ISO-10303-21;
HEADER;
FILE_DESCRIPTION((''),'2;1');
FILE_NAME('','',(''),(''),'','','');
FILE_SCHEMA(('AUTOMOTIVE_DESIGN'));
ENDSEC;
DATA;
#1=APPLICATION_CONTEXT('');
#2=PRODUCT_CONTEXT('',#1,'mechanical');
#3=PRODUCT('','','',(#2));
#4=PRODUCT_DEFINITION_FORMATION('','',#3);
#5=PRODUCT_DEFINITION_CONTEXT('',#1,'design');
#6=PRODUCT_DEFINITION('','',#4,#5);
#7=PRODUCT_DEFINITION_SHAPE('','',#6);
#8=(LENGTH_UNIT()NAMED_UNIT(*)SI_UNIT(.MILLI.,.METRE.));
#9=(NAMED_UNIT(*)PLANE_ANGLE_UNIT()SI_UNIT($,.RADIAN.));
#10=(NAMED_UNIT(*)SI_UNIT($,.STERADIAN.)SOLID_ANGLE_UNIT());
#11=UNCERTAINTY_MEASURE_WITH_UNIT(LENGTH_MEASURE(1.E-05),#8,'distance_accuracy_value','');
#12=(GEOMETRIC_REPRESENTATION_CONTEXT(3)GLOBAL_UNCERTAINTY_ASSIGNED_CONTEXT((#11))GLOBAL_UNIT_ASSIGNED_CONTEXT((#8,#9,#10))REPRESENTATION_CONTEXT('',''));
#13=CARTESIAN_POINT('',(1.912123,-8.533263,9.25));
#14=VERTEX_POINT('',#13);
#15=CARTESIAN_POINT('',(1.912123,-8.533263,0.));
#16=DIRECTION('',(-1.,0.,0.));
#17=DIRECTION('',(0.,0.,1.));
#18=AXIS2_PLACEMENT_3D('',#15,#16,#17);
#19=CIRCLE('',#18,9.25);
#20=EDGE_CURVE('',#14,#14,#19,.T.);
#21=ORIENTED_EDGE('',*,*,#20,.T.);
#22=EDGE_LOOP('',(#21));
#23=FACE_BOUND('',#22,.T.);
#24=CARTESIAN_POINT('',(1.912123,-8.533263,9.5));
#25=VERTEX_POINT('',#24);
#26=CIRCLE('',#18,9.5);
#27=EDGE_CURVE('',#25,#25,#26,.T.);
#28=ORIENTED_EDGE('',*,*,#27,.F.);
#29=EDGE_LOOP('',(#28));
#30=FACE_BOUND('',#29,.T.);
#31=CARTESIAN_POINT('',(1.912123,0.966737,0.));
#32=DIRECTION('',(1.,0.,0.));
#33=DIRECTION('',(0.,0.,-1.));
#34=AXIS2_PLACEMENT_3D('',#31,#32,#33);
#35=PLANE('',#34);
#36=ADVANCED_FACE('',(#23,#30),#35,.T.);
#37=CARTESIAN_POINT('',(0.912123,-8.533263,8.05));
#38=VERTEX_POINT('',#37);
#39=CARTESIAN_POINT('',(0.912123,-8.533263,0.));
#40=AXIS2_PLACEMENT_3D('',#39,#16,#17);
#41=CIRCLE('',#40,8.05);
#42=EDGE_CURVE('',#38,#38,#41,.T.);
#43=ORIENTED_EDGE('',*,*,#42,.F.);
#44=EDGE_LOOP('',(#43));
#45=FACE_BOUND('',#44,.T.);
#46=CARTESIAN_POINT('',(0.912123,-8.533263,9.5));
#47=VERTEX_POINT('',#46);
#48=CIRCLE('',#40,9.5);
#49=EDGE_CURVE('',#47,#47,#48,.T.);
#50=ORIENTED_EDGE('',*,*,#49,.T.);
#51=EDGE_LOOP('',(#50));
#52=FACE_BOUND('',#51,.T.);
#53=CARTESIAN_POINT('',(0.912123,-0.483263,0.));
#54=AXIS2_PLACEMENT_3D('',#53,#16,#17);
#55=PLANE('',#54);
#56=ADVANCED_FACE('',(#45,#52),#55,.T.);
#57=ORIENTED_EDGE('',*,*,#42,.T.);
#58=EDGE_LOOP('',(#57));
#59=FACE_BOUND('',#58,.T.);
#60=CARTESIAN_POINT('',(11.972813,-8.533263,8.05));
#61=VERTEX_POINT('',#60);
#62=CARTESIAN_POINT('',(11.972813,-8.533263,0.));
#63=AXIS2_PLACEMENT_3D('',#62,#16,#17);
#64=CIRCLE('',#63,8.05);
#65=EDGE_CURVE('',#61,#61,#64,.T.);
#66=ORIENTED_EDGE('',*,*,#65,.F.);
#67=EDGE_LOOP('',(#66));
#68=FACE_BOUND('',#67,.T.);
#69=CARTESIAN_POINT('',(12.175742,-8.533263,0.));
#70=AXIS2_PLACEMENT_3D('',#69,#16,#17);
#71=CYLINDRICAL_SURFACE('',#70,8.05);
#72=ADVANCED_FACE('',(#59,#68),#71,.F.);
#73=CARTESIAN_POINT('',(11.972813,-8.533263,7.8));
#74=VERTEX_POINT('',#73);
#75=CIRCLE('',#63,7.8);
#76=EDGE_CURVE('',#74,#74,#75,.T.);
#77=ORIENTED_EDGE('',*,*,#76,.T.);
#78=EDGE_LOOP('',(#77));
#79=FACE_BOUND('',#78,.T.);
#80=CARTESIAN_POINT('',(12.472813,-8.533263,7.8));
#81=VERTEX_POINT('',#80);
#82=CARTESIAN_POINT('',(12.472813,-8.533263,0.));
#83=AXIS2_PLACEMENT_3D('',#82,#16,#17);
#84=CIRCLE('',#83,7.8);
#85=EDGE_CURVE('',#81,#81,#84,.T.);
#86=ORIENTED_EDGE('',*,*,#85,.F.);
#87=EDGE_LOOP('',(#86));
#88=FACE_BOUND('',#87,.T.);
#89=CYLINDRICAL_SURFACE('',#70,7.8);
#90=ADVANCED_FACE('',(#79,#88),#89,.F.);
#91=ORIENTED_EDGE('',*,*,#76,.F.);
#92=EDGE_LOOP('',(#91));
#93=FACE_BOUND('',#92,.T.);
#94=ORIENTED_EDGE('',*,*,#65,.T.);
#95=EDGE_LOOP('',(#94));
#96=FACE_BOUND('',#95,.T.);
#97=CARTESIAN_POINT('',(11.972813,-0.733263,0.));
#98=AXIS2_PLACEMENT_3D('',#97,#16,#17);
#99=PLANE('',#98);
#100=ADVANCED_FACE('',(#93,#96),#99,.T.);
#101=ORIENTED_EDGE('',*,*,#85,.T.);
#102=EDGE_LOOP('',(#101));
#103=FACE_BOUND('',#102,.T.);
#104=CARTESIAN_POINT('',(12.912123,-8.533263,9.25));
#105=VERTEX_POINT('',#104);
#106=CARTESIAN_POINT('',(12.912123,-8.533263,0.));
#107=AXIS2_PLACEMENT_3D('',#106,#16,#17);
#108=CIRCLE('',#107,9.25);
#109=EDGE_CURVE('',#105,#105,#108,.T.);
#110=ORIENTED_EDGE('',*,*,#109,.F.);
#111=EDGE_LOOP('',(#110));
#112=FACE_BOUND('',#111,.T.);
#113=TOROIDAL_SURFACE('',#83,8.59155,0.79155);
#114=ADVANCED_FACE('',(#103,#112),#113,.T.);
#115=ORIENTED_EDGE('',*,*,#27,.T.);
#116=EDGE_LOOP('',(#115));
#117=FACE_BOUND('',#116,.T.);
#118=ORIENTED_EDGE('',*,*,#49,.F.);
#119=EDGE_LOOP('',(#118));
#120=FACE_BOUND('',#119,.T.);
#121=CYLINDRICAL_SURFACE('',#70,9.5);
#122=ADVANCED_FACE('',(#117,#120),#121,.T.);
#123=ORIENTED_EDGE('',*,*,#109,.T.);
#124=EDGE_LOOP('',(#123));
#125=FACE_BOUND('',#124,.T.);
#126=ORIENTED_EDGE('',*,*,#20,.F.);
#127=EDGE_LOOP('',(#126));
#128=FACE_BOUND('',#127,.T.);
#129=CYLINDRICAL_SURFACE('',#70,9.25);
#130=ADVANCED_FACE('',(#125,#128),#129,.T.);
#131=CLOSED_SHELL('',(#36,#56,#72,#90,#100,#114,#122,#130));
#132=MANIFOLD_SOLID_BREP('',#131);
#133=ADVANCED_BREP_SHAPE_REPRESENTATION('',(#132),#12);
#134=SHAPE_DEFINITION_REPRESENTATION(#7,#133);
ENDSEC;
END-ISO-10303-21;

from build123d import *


with BuildPart() as part:
    # Sketch1 → Revolve1 (revolve)
    with BuildSketch(Plane(origin=(0, 0, 0), x_dir=(-1, 0, 0), z_dir=(0, 0, -1)), mode=Mode.PRIVATE) as revolve1_sk:
        with BuildLine():
            Line((-11.972812665, -0.733263235), (-11.972812665, -0.483263235))
            Line((-11.972812665, -0.483263235), (-0.912123334, -0.483263235))
            Line((-0.912123334, -0.483263235), (-0.912123334, 0.966736765))
            Line((-0.912123334, 0.966736765), (-1.912123334, 0.966736765))
            Line((-1.912123334, 0.966736765), (-1.912123334, 0.716736765))
            Line((-1.912123334, 0.716736765), (-12.912123334, 0.716736765))
            ThreePointArc((-12.912123334, 0.716736765), (-13.230357031, -0.171229021), (-12.472812665, -0.733263235))
            Line((-12.472812665, -0.733263235), (-11.972812665, -0.733263235))
        make_face()
    revolve(revolve1_sk.sketch.rotate(Axis((12.175741694, -8.533263235, 0), (-1, 0, 0)), 270), axis=Axis((12.175741694, -8.533263235, 0), (-1, 0, 0)))


solid = part.part
